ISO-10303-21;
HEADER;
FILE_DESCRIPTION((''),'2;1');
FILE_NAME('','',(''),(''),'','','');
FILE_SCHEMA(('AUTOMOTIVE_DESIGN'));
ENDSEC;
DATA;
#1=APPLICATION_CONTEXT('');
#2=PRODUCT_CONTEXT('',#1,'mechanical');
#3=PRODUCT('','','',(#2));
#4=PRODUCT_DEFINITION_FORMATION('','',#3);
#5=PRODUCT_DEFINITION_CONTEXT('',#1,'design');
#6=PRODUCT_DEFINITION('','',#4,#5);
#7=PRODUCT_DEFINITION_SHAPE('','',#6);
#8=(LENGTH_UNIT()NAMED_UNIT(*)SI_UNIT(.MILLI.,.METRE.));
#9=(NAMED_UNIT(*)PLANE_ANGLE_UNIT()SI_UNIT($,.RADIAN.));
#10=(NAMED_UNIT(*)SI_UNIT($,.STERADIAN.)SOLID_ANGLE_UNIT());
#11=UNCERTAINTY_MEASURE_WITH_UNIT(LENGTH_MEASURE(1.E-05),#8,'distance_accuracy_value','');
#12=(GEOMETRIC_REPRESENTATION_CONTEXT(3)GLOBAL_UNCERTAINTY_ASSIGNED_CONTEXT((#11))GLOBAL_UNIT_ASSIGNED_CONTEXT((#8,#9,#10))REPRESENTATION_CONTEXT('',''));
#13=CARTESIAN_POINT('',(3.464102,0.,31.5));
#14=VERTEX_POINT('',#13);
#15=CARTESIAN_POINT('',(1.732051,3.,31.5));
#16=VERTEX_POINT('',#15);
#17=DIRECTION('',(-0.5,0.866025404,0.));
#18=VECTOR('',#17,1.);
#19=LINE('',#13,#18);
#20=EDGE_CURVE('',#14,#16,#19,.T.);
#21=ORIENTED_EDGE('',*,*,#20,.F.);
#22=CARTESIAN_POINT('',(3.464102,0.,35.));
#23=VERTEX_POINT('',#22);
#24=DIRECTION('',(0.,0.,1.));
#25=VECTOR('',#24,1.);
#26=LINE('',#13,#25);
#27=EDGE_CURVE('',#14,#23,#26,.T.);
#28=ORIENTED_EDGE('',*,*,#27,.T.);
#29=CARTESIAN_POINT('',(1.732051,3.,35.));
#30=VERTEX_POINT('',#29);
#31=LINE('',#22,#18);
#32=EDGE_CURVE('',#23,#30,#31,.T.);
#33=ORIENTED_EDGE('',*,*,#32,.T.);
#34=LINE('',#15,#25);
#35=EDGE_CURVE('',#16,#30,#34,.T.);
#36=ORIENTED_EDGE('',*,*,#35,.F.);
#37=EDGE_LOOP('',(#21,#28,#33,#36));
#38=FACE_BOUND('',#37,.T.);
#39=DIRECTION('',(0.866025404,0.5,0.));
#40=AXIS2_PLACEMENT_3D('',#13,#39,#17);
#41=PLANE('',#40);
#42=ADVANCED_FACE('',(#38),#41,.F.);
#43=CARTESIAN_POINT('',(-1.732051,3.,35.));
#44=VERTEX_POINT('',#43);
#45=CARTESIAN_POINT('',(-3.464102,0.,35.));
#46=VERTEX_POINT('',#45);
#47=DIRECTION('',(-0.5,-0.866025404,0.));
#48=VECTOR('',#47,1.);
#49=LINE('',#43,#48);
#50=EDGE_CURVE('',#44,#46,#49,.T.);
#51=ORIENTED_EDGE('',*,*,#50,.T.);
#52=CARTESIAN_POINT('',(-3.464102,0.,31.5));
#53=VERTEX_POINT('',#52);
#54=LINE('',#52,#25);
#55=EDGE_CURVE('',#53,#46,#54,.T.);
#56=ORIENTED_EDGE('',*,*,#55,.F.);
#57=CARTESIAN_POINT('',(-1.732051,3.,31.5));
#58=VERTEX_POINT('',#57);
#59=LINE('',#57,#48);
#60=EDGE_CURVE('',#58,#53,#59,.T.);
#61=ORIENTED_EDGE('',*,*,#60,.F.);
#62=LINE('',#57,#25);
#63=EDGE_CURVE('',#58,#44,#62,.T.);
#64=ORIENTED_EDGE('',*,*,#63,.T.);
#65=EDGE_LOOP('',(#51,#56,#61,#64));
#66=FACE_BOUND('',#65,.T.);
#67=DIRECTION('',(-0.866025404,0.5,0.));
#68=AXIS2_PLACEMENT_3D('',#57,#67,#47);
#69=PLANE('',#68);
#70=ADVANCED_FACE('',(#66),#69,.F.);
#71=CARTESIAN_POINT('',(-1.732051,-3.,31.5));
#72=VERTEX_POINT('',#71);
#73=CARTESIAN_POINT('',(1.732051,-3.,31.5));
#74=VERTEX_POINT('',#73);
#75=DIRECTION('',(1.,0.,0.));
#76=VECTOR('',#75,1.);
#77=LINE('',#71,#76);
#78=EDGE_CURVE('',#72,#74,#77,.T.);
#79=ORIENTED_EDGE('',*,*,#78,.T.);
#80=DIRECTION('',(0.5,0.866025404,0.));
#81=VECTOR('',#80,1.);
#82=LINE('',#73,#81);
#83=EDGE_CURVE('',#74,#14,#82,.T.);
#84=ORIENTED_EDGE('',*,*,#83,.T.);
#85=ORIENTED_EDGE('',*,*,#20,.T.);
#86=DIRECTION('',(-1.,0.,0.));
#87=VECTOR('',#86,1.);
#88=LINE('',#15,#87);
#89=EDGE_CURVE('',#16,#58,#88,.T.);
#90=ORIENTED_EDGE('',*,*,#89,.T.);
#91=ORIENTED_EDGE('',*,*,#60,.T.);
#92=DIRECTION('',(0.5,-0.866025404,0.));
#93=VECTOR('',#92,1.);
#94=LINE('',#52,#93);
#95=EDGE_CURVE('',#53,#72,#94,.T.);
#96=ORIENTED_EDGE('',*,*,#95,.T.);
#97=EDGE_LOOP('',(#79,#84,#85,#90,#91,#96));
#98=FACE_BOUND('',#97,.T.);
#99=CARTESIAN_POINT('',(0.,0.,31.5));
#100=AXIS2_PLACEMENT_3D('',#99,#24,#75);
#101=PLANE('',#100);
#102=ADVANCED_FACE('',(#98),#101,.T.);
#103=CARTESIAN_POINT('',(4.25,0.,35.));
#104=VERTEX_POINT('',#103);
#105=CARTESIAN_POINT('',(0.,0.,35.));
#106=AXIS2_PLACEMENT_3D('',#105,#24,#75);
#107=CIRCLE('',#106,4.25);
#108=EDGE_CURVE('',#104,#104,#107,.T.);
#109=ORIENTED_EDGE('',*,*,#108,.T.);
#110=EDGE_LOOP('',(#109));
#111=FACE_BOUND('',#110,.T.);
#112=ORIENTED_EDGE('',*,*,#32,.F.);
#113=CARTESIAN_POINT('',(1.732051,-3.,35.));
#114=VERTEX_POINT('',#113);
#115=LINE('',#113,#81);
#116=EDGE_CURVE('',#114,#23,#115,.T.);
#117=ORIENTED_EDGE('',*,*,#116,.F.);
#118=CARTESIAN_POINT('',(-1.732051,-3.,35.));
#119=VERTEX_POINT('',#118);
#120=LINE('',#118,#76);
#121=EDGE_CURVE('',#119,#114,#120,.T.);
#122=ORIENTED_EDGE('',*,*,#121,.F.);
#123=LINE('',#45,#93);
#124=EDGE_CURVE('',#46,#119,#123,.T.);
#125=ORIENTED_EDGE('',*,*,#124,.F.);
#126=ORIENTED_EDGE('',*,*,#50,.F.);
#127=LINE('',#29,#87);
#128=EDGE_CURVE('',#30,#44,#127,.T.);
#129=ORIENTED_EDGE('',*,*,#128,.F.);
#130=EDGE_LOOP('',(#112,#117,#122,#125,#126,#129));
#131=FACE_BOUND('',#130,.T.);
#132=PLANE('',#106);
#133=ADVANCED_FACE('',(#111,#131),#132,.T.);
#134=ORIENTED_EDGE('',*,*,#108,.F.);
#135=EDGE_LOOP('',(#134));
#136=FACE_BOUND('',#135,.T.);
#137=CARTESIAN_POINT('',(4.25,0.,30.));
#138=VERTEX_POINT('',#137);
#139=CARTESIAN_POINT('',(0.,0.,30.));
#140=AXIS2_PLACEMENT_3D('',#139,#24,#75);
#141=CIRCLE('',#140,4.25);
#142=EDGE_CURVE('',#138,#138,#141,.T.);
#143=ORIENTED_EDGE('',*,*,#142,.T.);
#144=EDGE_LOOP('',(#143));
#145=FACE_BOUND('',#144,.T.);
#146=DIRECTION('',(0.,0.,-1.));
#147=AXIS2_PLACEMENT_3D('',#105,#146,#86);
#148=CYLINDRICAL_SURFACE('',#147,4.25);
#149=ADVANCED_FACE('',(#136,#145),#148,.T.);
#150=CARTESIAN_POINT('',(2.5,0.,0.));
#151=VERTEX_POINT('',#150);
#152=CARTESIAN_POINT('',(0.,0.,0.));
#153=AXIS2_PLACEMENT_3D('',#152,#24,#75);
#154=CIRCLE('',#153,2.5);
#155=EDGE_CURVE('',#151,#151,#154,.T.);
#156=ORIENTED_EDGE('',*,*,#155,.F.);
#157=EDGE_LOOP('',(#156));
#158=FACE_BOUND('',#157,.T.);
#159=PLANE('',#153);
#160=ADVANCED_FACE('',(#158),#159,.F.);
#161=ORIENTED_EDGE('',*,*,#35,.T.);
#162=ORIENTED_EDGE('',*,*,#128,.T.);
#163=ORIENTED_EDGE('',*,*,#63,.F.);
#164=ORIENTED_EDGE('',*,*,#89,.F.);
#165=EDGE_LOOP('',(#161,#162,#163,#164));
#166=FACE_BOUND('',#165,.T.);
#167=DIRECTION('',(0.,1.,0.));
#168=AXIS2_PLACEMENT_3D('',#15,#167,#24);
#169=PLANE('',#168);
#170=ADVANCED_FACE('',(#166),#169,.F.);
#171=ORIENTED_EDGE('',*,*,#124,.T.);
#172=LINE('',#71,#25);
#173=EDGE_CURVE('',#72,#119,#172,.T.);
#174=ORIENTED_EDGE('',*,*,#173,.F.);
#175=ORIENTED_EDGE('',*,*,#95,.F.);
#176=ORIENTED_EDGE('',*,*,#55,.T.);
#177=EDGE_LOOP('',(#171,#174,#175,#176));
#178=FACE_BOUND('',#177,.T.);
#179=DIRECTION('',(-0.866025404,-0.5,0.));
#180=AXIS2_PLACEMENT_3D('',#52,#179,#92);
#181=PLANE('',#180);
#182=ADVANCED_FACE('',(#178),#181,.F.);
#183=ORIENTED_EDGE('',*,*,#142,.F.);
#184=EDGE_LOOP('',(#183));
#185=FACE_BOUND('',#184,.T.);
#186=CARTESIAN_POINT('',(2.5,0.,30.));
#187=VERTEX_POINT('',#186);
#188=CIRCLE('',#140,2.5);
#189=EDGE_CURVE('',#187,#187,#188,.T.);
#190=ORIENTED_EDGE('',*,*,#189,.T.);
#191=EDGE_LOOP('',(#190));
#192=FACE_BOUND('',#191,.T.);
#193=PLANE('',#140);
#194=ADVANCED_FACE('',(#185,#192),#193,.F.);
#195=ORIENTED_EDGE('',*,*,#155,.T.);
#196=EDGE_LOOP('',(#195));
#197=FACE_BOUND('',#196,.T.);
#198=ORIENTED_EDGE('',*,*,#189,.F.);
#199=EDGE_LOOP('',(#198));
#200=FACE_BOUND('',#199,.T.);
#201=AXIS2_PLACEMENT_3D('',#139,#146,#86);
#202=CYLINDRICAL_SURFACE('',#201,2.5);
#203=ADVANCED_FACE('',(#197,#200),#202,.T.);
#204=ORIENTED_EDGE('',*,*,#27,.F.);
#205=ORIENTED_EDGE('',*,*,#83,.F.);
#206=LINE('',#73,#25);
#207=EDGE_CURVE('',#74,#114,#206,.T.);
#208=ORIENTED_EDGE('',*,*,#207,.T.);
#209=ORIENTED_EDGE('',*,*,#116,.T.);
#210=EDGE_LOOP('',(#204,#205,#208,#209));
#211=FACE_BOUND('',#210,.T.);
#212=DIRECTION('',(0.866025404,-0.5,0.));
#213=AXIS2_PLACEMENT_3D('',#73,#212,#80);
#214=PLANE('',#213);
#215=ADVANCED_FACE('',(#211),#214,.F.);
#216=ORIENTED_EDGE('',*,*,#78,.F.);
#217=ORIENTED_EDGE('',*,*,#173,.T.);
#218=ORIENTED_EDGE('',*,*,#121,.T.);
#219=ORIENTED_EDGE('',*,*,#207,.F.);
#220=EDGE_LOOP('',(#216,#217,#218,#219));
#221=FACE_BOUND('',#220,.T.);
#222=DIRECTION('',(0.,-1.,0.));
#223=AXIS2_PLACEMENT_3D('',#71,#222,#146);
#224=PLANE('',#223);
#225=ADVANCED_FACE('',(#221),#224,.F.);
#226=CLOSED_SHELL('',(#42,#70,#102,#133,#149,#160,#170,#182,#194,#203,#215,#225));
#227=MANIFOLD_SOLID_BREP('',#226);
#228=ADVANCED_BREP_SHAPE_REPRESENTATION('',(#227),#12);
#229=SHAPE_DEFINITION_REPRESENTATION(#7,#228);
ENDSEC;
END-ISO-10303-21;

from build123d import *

# Parameters (mm, degrees)
ESQUISSE1_R             = 2.5
BOSS_EXTRU_1_DEPTH      = 30
ESQUISSE2_R             = 4.25
BOSS_EXTRU_2_DEPTH      = 5
ENL_V_MAT_EXTRU_1_DEPTH = 3.5


with BuildPart() as part:
    # Esquisse1 → Boss.-Extru.1 (new body)
    with BuildSketch(Plane.XY):
        Circle(ESQUISSE1_R)
    extrude(amount=BOSS_EXTRU_1_DEPTH)

    # Esquisse2 → Boss.-Extru.2 (add)
    with BuildSketch(Plane.XY.offset(30)):
        Circle(ESQUISSE2_R)
    extrude(amount=BOSS_EXTRU_2_DEPTH)

    # Esquisse3 → Enlèv. mat.-Extru.1 (cut)
    with BuildSketch(Plane.XY.offset(35)):
        Polygon((3.464101615, 0), (1.732050808, 3), (-1.732050808, 3), (-3.464101615, 0), (-1.732050808, -3), (1.732050808, -3), align=None)
    extrude(amount=-ENL_V_MAT_EXTRU_1_DEPTH, mode=Mode.SUBTRACT)


solid = part.part
